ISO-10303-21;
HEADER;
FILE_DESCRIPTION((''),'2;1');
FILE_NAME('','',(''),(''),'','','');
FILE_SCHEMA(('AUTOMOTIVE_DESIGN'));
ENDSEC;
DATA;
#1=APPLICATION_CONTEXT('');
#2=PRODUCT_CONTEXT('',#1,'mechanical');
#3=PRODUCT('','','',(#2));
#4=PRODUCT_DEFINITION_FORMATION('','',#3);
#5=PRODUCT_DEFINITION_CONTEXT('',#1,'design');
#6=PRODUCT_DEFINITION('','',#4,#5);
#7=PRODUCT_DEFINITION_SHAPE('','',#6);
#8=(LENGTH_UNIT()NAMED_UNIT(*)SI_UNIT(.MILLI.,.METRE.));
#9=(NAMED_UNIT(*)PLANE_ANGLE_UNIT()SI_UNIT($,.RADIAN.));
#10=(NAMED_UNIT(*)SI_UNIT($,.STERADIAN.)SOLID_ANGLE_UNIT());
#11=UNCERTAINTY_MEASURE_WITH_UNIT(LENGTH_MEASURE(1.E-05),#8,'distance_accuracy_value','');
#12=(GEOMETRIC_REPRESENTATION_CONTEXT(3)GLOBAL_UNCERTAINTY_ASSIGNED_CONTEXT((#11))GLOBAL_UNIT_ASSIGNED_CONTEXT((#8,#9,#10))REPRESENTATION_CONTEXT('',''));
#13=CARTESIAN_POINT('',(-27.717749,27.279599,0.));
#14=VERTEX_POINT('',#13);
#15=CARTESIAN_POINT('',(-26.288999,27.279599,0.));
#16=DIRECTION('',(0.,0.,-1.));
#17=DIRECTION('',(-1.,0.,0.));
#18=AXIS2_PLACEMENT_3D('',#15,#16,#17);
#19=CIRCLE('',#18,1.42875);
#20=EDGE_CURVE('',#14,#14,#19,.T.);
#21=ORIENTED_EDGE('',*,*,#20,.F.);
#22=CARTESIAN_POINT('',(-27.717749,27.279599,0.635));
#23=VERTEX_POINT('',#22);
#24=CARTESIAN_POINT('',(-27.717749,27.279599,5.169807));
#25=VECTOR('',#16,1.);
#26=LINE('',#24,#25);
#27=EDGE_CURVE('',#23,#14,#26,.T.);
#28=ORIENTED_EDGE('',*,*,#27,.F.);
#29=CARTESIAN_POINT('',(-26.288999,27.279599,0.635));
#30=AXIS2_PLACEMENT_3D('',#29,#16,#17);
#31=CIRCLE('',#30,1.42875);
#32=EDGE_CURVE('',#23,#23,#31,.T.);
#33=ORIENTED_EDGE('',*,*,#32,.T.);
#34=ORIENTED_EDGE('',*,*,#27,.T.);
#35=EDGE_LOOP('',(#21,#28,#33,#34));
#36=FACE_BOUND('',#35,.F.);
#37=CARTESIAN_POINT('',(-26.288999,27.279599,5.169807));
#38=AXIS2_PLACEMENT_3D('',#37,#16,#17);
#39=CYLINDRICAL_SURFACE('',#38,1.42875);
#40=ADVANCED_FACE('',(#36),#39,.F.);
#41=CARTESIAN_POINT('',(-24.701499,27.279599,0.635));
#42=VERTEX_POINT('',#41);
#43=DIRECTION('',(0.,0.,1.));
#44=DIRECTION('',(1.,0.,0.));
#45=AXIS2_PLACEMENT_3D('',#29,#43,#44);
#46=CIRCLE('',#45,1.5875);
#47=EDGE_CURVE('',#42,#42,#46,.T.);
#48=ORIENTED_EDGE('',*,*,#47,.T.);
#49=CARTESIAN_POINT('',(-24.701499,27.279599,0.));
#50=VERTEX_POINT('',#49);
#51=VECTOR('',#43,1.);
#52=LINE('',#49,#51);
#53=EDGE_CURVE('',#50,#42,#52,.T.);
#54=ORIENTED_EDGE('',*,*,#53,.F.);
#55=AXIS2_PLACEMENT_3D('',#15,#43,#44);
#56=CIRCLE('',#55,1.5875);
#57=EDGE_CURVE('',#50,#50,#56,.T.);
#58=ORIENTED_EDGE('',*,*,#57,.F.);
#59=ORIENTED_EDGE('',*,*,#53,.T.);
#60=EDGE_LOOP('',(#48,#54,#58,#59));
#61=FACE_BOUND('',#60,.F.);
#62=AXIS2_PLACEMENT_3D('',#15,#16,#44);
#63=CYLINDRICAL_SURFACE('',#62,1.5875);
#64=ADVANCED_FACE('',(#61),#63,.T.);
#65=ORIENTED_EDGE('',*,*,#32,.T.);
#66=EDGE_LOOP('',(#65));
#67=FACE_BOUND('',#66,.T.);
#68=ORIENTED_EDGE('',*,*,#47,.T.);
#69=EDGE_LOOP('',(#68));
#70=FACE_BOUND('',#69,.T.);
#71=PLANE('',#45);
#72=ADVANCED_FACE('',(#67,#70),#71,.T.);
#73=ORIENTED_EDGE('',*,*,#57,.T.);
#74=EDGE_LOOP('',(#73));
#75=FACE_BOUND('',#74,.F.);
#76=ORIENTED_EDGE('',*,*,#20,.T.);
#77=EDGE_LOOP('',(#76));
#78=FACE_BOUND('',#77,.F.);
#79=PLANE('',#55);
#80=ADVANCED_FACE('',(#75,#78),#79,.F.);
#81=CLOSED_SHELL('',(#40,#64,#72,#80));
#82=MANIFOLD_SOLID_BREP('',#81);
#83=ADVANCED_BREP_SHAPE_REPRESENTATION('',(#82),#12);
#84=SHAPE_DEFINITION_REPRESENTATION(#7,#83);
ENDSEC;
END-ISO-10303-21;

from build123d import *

# Parameters (mm, degrees)
F0_R     = 3.175
F1_DEPTH = 1.27
F3_D     = 5.715
F4_SCALE = 0.5


with BuildPart() as f1:
    # F0 (on Top) → F1 (new body)
    with BuildSketch(Plane.XY):
        with Locations((-52.5779984891, 54.5591972768)):
            Circle(F0_R)
    extrude(amount=F1_DEPTH)

    # F3 (through all)
    with Locations(Plane.XY.offset(1.27)):
        with Locations((-52.5779984891, 54.5591972768)):
            Hole(F3_D / 2)


with BuildPart() as f1_1:
    # F4: moved
    add(f1.part.scale(F4_SCALE))


solid = f1_1.part
